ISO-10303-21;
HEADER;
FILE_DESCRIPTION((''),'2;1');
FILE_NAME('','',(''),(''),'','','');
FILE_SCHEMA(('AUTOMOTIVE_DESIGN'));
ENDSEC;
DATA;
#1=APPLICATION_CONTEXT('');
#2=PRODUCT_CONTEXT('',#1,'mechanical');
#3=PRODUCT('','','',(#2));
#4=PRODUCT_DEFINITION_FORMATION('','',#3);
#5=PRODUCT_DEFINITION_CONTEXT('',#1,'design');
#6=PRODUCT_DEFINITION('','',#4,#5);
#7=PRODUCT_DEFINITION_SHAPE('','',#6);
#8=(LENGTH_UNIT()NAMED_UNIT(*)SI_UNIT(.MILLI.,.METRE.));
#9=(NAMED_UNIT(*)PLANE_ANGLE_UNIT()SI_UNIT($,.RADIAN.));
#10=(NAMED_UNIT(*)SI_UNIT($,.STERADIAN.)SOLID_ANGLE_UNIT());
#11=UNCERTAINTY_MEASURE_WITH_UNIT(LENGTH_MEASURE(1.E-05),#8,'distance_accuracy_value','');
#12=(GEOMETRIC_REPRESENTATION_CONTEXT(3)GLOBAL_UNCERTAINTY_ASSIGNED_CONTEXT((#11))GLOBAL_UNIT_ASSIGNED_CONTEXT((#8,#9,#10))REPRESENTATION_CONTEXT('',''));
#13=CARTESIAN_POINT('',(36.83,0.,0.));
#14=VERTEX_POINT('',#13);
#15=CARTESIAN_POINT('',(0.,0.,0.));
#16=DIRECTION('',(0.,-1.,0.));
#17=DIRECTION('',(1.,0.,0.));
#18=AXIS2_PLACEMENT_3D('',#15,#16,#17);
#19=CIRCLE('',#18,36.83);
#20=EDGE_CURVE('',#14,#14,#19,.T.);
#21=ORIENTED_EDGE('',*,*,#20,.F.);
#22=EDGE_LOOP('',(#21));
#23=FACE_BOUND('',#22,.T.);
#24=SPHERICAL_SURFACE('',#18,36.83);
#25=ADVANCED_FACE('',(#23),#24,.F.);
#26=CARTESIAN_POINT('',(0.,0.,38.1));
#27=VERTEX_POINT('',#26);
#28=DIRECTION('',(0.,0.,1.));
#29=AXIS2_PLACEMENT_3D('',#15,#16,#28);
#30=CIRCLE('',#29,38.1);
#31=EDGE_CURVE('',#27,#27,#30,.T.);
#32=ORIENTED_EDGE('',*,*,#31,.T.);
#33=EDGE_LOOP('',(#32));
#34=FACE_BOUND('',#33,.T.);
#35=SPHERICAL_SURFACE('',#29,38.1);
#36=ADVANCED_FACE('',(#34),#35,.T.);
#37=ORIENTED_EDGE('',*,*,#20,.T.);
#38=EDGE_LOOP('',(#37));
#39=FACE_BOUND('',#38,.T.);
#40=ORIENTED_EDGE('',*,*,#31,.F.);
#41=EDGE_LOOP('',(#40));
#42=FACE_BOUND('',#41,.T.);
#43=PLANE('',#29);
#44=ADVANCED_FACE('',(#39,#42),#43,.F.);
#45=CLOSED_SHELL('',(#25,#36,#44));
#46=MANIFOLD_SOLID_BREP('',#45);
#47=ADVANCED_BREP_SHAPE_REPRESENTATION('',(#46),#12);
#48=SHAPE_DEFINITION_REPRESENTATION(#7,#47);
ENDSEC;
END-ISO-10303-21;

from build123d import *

# Parameters (mm, degrees)
REVOLVE1_ANGLE     = 180
CUT_REVOLVE1_ANGLE = 180


with BuildPart() as part:
    # Sketch1 → Revolve1 (revolve)
    with BuildSketch(Plane(origin=(0, 0, 0), x_dir=(1, 0, 0), z_dir=(0, 1, 0))):
        with BuildLine():
            Line((0, 0), (0, 38.1))
            ThreePointArc((0, 38.1), (-38.1, 0), (0, -38.1))
            Line((0, -38.1), (0, 0))
        make_face()
    revolve(axis=Axis((0, 0, 0), (0, 0, 1)), revolution_arc=REVOLVE1_ANGLE)

    # Sketch2 → Cut-Revolve1 (revolve, cut)
    with BuildSketch(Plane(origin=(0, 0, 0), x_dir=(1, 0, 0), z_dir=(0, 1, 0))):
        with BuildLine():
            Line((0, 36.83), (0, -36.83))
            ThreePointArc((0, -36.83), (-36.83, 0), (0, 36.83))
        make_face()
    revolve(axis=Axis((0, 0, -36.83), (0, 0, 1)), revolution_arc=CUT_REVOLVE1_ANGLE, mode=Mode.SUBTRACT)


solid = part.part
